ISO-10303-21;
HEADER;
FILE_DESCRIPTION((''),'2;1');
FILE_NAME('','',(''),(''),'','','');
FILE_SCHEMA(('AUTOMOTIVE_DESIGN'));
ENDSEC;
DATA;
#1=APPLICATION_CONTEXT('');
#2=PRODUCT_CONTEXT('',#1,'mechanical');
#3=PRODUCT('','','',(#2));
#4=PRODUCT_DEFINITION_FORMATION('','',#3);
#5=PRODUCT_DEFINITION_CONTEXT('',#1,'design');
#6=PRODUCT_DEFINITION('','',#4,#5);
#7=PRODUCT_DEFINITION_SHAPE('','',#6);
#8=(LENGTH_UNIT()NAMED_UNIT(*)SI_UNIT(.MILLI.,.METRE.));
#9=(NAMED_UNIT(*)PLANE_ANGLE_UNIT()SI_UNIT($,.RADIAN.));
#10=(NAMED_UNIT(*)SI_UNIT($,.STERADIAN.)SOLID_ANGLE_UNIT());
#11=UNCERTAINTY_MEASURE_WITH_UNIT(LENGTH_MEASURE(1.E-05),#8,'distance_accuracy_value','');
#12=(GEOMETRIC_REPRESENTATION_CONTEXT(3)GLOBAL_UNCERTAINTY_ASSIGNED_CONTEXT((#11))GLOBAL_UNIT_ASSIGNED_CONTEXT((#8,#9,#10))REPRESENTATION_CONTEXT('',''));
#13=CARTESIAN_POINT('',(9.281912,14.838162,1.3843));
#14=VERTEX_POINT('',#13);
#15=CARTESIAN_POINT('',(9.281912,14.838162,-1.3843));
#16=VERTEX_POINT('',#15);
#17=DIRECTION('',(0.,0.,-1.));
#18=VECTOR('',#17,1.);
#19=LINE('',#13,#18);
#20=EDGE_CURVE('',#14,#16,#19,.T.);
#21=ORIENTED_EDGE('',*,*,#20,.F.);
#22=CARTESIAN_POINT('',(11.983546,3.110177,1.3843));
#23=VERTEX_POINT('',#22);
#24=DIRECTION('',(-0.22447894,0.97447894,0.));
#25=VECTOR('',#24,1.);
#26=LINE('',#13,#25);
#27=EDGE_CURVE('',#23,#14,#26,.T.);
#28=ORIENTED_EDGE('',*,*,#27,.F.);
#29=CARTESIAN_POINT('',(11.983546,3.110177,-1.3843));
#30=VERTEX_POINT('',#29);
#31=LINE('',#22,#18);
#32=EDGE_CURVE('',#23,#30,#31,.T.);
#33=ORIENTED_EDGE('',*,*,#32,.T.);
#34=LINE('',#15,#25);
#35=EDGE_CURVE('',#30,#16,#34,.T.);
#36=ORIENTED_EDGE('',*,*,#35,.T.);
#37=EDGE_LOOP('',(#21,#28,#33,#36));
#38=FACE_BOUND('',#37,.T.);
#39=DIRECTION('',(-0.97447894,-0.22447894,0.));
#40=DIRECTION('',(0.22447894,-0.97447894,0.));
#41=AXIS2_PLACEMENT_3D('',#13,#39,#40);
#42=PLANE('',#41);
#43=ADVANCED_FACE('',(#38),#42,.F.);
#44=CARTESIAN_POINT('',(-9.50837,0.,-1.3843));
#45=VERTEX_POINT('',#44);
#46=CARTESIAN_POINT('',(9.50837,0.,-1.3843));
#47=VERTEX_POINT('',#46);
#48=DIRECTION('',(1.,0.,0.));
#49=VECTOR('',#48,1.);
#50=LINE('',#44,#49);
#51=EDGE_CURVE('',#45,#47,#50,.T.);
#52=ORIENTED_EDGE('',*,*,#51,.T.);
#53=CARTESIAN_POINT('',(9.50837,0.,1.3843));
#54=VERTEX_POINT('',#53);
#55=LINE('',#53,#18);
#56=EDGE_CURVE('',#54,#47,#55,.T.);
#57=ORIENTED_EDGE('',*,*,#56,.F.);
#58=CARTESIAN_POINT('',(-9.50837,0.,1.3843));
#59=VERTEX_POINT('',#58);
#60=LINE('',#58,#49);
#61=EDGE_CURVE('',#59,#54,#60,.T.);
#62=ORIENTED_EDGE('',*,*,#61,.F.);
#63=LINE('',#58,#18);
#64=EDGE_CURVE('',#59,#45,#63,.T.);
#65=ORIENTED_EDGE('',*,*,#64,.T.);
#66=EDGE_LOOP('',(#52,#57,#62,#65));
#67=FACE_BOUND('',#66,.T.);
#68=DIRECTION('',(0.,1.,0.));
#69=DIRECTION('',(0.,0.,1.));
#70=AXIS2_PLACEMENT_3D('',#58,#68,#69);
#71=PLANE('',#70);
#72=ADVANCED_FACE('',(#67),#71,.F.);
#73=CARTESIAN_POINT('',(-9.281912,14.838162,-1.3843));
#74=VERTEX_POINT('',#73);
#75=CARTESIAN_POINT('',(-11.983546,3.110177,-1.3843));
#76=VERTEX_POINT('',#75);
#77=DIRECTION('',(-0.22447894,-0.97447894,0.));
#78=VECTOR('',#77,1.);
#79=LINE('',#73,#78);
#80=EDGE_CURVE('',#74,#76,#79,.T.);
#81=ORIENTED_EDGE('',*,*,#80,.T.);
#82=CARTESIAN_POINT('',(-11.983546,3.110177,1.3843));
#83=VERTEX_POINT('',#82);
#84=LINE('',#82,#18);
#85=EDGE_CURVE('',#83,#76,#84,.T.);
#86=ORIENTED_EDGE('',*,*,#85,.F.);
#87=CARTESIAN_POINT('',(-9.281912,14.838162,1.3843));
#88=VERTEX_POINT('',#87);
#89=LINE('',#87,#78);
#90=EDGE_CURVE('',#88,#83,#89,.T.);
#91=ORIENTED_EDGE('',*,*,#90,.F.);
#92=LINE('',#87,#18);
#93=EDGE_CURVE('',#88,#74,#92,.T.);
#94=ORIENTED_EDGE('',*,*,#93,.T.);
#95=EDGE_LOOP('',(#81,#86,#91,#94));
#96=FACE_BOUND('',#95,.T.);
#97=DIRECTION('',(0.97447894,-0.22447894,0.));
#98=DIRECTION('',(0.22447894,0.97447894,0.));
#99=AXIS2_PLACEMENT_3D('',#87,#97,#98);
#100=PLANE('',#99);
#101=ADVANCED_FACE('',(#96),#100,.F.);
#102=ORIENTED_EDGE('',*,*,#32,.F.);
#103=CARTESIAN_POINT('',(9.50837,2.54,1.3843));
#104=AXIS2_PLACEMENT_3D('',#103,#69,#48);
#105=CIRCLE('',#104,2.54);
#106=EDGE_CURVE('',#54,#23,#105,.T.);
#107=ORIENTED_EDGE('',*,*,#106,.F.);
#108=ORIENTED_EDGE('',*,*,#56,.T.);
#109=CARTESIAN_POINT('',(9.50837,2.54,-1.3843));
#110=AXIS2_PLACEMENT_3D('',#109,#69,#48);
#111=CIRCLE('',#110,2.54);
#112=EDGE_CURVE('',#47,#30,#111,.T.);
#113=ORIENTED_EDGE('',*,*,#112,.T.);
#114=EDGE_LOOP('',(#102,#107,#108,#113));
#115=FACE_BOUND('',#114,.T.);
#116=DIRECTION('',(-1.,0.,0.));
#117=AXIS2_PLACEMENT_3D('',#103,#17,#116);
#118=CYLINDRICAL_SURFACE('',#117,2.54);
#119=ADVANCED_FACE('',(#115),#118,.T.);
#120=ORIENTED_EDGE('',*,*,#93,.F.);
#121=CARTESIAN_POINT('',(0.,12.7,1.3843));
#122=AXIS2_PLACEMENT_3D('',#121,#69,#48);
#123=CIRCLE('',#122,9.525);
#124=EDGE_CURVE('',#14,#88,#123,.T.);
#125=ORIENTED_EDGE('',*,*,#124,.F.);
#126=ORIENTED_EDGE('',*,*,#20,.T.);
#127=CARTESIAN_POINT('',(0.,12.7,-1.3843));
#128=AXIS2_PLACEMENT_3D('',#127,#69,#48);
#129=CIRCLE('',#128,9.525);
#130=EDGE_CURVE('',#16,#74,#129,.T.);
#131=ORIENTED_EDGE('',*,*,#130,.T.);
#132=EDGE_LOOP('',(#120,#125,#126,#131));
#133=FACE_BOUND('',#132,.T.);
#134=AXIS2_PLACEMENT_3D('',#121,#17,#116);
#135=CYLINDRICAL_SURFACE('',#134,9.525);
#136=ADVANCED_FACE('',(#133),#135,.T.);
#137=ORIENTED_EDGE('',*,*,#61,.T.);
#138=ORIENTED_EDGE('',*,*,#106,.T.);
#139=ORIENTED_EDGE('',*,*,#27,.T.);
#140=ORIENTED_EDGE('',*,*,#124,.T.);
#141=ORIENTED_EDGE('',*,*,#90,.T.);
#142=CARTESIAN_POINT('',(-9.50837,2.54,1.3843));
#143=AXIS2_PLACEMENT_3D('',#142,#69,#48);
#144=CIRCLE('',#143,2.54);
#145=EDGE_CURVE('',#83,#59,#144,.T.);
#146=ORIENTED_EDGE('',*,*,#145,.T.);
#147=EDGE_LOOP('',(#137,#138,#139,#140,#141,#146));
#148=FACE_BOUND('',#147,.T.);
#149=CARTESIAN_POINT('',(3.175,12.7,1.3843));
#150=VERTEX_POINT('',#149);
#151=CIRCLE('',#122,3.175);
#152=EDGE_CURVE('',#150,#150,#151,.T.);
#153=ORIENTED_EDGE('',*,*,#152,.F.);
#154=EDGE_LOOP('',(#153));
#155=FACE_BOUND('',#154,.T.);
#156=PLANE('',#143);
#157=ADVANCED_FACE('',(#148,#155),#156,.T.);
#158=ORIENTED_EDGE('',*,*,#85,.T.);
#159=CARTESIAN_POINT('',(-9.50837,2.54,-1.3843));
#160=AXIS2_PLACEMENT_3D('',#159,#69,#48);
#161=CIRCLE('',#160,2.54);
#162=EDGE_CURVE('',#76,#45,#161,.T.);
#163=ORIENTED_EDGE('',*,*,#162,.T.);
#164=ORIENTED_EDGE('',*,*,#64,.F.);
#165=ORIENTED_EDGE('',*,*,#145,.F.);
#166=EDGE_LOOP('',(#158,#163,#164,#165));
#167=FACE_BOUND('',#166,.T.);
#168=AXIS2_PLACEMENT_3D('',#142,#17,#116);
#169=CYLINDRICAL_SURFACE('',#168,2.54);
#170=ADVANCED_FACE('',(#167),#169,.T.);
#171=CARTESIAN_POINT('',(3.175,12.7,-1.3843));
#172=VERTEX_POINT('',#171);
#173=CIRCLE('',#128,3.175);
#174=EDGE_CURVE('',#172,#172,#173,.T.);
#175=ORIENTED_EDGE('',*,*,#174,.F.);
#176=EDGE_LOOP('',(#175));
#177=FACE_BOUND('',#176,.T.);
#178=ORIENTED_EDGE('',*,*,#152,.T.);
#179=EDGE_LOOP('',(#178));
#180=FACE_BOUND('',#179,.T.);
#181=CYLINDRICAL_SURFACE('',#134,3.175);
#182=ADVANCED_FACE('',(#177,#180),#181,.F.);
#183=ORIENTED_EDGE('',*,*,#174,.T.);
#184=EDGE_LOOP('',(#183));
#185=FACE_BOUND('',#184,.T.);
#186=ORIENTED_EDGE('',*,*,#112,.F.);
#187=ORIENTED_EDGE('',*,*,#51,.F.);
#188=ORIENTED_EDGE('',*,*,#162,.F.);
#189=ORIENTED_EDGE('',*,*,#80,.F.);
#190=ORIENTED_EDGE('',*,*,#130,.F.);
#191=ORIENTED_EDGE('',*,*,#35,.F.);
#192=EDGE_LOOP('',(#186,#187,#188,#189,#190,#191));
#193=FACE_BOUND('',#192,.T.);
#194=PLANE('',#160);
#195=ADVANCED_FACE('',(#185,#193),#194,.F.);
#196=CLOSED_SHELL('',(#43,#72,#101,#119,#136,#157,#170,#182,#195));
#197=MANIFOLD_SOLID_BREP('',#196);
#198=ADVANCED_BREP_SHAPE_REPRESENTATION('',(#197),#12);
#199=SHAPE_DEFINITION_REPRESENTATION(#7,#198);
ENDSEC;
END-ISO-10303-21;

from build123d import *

# Parameters (mm, degrees)
SKETCH1_R           = 3.175
BOSS_EXTRUDE1_DEPTH = 1.3843


with BuildPart() as part:
    # Sketch1 → Boss-Extrude1 (new body, symmetric)
    with BuildSketch(Plane.XY):
        with BuildLine():
            Line((-9.281911907, 14.838161907), (-11.983546213, 3.110176509))
            ThreePointArc((-11.983546213, 3.110176509), (-11.495811318, 0.958331313), (-9.508369704, 0))
            Line((-9.508369704, 0), (9.508369704, 0))
            ThreePointArc((9.508369704, 0), (11.495811318, 0.958331313), (11.983546213, 3.110176509))
            Line((11.983546213, 3.110176509), (9.281911907, 14.838161907))
            ThreePointArc((9.281911907, 14.838161907), (0, 22.225), (-9.281911907, 14.838161907))
        make_face()
        with Locations((0, 12.7)):
            Circle(SKETCH1_R, mode=Mode.SUBTRACT)
    extrude(amount=BOSS_EXTRUDE1_DEPTH, both=True)


solid = part.part
